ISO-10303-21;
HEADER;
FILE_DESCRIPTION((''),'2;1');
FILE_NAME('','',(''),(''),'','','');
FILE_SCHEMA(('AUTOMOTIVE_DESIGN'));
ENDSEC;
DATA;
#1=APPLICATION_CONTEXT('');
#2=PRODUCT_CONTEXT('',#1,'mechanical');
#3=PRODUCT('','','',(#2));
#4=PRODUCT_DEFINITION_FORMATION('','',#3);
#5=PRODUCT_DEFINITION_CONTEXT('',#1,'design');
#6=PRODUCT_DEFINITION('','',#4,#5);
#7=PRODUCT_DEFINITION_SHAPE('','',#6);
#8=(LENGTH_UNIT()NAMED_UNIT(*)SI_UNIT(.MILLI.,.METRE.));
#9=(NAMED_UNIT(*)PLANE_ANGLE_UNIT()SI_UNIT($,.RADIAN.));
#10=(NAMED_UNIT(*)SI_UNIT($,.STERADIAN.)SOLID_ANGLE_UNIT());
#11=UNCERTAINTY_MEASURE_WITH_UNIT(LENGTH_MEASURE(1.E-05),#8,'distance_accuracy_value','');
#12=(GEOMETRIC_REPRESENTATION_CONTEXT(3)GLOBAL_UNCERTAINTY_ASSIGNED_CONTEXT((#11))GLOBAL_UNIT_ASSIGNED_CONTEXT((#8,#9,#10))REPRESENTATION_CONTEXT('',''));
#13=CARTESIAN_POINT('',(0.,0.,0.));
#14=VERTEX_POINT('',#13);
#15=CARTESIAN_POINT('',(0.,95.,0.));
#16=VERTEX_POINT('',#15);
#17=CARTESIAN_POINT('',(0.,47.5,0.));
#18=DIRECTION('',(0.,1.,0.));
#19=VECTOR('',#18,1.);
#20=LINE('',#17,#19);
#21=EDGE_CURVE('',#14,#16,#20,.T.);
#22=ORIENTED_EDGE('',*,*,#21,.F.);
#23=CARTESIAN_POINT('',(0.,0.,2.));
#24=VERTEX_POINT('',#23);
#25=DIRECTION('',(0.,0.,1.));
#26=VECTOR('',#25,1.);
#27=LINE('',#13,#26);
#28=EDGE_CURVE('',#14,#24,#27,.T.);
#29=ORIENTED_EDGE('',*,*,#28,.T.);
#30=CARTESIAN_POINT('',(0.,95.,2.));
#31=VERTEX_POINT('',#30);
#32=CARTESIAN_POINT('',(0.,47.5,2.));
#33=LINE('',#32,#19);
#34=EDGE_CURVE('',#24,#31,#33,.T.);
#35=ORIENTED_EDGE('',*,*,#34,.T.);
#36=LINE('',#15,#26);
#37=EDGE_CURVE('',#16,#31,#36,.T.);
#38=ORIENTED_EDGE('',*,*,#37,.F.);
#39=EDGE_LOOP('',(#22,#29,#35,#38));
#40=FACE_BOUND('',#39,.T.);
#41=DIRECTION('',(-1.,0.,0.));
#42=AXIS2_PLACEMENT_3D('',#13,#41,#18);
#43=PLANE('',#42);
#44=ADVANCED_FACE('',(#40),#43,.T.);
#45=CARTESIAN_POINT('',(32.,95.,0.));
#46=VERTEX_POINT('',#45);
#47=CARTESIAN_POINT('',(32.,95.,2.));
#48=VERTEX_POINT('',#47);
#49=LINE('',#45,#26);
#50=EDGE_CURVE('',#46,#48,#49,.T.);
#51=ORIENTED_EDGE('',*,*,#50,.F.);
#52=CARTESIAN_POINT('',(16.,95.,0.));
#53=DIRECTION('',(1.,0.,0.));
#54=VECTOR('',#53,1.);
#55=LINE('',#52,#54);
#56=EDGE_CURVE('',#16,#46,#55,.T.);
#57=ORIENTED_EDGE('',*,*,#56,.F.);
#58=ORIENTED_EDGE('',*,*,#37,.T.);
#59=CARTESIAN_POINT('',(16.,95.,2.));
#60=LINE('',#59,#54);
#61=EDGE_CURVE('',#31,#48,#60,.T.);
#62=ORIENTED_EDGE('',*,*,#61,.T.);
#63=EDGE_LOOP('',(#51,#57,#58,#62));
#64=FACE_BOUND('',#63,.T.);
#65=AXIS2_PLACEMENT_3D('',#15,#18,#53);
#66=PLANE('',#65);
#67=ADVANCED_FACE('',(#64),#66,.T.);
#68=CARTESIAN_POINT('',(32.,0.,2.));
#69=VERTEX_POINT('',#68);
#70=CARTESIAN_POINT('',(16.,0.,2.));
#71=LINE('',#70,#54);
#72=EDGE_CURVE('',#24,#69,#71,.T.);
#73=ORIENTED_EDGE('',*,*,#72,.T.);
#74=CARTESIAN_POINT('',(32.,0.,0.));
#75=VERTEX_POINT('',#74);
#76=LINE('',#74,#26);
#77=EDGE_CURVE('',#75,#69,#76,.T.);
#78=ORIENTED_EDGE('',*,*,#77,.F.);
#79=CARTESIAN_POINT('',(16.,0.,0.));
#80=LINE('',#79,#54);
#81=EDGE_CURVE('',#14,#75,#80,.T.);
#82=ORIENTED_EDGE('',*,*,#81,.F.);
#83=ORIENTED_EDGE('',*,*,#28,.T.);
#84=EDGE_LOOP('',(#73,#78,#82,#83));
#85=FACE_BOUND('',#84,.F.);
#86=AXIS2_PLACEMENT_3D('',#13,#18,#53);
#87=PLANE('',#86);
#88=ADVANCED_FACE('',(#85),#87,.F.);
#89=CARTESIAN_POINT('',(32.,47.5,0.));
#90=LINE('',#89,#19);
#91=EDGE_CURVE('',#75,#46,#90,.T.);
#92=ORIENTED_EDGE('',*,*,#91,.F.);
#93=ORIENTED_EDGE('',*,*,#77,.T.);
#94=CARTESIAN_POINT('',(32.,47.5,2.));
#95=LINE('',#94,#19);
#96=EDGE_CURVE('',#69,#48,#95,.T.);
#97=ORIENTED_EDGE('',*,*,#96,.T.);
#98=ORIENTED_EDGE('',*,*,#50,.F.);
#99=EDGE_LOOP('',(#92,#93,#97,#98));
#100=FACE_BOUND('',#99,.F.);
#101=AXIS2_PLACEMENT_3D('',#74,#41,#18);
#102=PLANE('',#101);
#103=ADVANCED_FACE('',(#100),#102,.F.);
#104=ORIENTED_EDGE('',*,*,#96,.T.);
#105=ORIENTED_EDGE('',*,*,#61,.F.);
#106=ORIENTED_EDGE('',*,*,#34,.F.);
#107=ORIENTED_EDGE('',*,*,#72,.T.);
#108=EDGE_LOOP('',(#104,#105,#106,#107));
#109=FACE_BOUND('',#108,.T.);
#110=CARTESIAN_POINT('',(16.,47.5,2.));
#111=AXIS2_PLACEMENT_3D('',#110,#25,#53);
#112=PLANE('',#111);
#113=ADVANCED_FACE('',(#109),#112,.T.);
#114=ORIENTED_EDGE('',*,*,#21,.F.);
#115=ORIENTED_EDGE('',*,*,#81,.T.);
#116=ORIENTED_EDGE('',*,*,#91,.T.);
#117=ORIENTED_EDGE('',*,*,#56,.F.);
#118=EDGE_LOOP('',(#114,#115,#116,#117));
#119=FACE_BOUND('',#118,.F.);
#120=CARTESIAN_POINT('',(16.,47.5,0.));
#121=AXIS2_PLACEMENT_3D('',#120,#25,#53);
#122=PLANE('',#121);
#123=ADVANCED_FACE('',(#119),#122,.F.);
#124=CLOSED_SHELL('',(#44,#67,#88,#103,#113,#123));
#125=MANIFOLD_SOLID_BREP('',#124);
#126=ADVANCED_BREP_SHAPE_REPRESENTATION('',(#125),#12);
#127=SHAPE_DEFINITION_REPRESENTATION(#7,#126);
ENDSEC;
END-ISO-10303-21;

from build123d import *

# Parameters (mm, degrees)
SKETCH_W  = 32
SKETCH_H  = 95
PAD_DEPTH = 2


with BuildPart() as part:
    # Sketch → Pad (new body)
    with BuildSketch(Plane.XY):
        with Locations((16, 47.5)):
            Rectangle(SKETCH_W, SKETCH_H)
    extrude(amount=PAD_DEPTH)


solid = part.part
